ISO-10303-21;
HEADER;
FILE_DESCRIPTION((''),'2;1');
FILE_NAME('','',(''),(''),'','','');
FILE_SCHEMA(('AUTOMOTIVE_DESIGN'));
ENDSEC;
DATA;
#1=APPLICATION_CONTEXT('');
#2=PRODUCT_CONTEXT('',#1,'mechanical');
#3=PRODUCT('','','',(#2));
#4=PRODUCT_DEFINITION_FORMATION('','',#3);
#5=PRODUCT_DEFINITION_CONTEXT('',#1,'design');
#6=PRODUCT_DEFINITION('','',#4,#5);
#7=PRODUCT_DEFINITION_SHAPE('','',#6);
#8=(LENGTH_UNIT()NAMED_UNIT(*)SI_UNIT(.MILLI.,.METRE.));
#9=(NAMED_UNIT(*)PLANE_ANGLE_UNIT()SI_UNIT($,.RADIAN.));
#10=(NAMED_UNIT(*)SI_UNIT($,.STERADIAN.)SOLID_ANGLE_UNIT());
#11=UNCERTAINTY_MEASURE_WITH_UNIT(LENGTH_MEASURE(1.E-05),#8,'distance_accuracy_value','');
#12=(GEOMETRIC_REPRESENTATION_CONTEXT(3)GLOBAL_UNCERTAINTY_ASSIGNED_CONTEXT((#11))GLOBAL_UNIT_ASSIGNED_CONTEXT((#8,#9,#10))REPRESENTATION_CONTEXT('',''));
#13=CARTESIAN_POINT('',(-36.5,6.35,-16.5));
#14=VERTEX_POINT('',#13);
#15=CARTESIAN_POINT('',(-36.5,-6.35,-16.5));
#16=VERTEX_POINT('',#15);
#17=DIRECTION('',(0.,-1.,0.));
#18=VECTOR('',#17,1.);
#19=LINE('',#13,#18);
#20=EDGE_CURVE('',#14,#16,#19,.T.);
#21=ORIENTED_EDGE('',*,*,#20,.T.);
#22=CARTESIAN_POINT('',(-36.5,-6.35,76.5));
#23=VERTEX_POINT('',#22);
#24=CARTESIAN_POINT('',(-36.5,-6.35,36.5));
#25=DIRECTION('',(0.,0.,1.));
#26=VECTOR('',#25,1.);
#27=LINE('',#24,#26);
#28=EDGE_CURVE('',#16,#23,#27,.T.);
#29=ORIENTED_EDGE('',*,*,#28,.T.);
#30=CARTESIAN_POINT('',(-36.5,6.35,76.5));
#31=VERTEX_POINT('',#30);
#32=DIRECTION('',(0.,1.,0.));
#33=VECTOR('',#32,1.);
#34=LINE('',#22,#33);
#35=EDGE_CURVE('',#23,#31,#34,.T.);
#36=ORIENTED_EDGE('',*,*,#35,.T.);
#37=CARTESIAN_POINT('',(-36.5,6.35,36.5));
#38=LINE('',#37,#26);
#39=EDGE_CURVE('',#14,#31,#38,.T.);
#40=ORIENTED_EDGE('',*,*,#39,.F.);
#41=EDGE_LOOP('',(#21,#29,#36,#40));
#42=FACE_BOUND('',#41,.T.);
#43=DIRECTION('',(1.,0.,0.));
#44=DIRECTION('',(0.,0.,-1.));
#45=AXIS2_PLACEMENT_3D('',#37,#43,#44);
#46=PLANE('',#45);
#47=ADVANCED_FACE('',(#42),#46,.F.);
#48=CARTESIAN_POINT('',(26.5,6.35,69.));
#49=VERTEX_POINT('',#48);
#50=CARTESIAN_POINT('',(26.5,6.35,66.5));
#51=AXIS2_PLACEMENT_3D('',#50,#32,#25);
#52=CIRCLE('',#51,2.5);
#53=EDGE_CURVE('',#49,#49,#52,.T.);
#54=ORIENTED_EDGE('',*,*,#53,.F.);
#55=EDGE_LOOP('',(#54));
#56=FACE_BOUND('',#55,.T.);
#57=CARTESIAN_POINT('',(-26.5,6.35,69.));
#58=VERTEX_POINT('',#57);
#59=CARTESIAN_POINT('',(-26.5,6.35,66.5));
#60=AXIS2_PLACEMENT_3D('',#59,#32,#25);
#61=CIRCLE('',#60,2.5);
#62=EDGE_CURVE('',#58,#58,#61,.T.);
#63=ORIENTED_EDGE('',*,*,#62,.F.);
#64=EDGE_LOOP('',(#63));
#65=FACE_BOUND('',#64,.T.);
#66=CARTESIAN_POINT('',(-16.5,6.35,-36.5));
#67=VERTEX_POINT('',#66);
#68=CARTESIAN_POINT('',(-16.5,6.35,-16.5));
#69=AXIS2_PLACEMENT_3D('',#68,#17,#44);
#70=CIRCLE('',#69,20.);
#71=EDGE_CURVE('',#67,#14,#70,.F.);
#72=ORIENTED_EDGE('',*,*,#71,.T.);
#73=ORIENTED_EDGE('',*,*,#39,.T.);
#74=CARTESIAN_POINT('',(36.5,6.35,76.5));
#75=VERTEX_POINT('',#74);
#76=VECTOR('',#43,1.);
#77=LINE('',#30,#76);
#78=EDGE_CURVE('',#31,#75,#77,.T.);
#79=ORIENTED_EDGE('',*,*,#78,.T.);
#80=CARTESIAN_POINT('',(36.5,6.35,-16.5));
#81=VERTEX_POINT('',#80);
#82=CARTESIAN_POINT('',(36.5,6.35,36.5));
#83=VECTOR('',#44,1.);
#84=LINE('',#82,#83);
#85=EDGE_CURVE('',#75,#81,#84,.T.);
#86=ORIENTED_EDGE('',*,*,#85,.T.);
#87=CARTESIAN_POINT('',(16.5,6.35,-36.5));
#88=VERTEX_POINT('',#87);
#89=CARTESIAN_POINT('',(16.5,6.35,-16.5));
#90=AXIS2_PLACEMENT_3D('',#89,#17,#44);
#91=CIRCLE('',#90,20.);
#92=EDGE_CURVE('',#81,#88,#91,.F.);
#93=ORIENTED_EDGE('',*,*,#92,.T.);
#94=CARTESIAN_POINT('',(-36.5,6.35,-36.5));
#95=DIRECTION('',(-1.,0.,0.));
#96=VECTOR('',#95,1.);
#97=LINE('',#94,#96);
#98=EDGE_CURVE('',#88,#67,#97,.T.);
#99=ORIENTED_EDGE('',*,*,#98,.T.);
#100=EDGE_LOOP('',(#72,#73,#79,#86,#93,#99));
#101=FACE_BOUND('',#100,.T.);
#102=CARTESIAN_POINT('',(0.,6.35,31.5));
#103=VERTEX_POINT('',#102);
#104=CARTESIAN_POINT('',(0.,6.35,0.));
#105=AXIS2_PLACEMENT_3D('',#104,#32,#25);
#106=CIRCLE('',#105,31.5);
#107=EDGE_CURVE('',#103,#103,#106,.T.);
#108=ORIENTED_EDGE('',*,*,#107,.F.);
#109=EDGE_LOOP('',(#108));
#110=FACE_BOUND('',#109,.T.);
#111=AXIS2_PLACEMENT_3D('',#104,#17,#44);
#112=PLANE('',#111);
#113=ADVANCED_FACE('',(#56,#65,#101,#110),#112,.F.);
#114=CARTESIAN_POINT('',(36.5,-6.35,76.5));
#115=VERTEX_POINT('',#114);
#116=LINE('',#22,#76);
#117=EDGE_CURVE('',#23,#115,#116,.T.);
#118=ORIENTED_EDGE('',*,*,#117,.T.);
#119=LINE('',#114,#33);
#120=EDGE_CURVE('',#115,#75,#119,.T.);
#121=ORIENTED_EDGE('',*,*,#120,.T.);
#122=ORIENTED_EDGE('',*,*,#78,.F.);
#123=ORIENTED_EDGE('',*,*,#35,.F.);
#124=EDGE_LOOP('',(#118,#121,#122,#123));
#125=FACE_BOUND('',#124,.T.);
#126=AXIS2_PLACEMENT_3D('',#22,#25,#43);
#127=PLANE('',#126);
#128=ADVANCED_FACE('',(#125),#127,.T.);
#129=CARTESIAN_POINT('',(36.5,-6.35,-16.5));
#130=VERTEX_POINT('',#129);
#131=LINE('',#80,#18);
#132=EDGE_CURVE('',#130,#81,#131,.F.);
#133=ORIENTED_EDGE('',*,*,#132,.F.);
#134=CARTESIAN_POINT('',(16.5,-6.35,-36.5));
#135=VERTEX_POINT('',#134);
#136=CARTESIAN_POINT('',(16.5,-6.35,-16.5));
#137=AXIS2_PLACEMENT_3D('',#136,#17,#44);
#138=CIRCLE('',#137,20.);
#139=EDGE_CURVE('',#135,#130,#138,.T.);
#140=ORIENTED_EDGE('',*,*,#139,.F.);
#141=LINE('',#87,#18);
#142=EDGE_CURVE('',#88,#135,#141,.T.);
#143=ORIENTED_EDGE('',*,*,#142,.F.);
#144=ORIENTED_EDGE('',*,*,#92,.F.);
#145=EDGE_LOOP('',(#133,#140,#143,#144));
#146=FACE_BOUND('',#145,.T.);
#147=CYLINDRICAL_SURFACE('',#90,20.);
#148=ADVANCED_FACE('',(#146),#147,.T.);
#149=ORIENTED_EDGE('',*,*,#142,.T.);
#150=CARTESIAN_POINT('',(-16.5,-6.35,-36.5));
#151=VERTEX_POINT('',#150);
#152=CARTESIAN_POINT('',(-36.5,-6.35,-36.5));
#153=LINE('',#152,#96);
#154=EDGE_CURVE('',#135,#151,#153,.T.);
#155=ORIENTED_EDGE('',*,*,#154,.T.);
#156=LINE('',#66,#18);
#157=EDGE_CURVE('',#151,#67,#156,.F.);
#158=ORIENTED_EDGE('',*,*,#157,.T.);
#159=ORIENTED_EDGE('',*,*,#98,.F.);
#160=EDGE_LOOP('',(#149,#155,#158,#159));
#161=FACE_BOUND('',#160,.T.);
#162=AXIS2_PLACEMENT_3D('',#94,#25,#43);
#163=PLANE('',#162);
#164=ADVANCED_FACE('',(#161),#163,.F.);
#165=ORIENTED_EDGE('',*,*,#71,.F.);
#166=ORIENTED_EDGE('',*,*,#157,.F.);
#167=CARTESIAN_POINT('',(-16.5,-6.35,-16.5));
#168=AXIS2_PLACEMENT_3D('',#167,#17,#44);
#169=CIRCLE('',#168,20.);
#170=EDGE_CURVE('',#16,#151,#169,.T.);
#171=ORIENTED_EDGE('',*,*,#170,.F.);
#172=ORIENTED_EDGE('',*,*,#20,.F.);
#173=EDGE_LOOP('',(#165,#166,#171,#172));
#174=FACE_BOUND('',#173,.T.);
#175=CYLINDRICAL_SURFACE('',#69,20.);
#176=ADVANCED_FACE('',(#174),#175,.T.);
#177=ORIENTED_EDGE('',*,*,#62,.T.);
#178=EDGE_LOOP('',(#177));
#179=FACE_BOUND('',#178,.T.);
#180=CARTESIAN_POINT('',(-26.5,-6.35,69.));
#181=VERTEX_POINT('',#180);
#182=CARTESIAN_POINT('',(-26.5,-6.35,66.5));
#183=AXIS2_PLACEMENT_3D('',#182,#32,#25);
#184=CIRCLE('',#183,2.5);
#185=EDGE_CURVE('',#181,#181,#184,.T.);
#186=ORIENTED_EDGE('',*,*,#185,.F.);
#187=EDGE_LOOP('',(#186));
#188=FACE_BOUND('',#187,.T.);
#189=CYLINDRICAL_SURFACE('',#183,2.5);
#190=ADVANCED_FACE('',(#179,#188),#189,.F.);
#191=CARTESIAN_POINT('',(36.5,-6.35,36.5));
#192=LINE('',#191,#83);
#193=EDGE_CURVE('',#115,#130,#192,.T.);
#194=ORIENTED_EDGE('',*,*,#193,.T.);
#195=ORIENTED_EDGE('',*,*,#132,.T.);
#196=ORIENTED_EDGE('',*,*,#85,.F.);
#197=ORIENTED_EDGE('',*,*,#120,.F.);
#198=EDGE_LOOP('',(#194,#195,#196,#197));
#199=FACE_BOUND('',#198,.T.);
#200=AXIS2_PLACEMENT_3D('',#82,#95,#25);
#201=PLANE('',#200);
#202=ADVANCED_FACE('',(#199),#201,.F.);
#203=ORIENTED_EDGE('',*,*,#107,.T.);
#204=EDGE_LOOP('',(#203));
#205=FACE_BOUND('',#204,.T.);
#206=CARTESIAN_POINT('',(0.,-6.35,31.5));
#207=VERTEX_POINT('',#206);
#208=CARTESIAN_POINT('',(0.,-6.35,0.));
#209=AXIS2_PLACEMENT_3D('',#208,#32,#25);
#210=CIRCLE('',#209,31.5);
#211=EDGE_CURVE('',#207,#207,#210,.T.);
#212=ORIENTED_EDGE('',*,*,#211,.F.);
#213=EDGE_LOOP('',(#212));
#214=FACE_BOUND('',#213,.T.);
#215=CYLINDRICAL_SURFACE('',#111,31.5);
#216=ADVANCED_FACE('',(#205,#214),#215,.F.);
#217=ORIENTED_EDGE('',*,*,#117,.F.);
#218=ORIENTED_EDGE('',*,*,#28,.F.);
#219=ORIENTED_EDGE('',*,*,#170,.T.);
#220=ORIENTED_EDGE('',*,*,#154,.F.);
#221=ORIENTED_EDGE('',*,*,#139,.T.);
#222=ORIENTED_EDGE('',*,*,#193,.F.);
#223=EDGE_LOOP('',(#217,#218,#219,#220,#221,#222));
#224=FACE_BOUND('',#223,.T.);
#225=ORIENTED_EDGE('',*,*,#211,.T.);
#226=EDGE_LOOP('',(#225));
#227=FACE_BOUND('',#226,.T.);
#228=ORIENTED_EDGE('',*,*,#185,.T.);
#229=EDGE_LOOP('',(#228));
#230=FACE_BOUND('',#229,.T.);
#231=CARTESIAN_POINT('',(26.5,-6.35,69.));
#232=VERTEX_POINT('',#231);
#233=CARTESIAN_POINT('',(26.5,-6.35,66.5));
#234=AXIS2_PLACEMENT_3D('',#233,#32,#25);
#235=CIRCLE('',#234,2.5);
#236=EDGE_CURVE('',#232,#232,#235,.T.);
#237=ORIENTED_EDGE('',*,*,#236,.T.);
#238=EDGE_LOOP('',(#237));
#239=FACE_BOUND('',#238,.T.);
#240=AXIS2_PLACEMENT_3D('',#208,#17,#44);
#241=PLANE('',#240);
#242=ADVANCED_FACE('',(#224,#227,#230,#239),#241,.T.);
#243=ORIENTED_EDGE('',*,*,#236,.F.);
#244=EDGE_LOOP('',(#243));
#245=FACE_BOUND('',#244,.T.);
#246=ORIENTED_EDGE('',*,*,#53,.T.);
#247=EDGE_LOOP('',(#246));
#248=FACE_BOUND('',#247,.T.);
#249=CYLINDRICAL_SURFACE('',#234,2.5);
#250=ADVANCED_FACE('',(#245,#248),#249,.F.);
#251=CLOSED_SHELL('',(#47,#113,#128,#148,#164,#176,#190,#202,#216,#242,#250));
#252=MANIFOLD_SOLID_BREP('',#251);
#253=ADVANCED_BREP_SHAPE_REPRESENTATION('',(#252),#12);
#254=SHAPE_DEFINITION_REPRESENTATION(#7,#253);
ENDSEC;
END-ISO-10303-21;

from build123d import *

# Parameters (mm, degrees)
SKETCH2_W              = 73
SKETCH2_H              = 73
SKETCH2_R              = 31.5
BOSS_EXTRUDE2_DEPTH    = 6.35
SKETCH3_W              = 73
SKETCH3_H              = 40
SKETCH3_R              = 2.5
BOTTOM_MOUNT_DEPTH     = 12.7
BOTTOM_MOUNT_FILLETS_R = 20


with BuildPart() as part:
    # Sketch2 → Boss-Extrude2 (new, symmetric)
    with BuildSketch(Plane(origin=(0, 0, 0), x_dir=(1, 0, 0), z_dir=(0, 1, 0))):
        Rectangle(SKETCH2_W, SKETCH2_H)
        with Locations(Location((0, 0, 0), (0, 0, 270))):
            Circle(SKETCH2_R, mode=Mode.SUBTRACT)
    extrude(amount=BOSS_EXTRUDE2_DEPTH, both=True)

    # Sketch3 → Bottom Mount (add, through all)
    with BuildSketch(Plane(origin=(0, 6.35, 0), x_dir=(1, 0, 0), z_dir=(0, 1, 0))):
        with Locations((0, -56.5)):
            Rectangle(SKETCH3_W, SKETCH3_H)
        with Locations(Location((-26.5, -66.5, 0), (0, 0, 270))):
            Circle(SKETCH3_R, mode=Mode.SUBTRACT)
        with Locations(Location((26.5, -66.5, 0), (0, 0, 270))):
            Circle(SKETCH3_R, mode=Mode.SUBTRACT)
    extrude(amount=-BOTTOM_MOUNT_DEPTH)

    # Bottom Mount Fillets
    bottom_mount_fillets_edges = [part.edges().sort_by_distance(p)[0] for p in [
        (-36.5, 0, -36.5),
        (36.5, 0, -36.5),
    ]]
    fillet(bottom_mount_fillets_edges, radius=BOTTOM_MOUNT_FILLETS_R)


solid = part.part
